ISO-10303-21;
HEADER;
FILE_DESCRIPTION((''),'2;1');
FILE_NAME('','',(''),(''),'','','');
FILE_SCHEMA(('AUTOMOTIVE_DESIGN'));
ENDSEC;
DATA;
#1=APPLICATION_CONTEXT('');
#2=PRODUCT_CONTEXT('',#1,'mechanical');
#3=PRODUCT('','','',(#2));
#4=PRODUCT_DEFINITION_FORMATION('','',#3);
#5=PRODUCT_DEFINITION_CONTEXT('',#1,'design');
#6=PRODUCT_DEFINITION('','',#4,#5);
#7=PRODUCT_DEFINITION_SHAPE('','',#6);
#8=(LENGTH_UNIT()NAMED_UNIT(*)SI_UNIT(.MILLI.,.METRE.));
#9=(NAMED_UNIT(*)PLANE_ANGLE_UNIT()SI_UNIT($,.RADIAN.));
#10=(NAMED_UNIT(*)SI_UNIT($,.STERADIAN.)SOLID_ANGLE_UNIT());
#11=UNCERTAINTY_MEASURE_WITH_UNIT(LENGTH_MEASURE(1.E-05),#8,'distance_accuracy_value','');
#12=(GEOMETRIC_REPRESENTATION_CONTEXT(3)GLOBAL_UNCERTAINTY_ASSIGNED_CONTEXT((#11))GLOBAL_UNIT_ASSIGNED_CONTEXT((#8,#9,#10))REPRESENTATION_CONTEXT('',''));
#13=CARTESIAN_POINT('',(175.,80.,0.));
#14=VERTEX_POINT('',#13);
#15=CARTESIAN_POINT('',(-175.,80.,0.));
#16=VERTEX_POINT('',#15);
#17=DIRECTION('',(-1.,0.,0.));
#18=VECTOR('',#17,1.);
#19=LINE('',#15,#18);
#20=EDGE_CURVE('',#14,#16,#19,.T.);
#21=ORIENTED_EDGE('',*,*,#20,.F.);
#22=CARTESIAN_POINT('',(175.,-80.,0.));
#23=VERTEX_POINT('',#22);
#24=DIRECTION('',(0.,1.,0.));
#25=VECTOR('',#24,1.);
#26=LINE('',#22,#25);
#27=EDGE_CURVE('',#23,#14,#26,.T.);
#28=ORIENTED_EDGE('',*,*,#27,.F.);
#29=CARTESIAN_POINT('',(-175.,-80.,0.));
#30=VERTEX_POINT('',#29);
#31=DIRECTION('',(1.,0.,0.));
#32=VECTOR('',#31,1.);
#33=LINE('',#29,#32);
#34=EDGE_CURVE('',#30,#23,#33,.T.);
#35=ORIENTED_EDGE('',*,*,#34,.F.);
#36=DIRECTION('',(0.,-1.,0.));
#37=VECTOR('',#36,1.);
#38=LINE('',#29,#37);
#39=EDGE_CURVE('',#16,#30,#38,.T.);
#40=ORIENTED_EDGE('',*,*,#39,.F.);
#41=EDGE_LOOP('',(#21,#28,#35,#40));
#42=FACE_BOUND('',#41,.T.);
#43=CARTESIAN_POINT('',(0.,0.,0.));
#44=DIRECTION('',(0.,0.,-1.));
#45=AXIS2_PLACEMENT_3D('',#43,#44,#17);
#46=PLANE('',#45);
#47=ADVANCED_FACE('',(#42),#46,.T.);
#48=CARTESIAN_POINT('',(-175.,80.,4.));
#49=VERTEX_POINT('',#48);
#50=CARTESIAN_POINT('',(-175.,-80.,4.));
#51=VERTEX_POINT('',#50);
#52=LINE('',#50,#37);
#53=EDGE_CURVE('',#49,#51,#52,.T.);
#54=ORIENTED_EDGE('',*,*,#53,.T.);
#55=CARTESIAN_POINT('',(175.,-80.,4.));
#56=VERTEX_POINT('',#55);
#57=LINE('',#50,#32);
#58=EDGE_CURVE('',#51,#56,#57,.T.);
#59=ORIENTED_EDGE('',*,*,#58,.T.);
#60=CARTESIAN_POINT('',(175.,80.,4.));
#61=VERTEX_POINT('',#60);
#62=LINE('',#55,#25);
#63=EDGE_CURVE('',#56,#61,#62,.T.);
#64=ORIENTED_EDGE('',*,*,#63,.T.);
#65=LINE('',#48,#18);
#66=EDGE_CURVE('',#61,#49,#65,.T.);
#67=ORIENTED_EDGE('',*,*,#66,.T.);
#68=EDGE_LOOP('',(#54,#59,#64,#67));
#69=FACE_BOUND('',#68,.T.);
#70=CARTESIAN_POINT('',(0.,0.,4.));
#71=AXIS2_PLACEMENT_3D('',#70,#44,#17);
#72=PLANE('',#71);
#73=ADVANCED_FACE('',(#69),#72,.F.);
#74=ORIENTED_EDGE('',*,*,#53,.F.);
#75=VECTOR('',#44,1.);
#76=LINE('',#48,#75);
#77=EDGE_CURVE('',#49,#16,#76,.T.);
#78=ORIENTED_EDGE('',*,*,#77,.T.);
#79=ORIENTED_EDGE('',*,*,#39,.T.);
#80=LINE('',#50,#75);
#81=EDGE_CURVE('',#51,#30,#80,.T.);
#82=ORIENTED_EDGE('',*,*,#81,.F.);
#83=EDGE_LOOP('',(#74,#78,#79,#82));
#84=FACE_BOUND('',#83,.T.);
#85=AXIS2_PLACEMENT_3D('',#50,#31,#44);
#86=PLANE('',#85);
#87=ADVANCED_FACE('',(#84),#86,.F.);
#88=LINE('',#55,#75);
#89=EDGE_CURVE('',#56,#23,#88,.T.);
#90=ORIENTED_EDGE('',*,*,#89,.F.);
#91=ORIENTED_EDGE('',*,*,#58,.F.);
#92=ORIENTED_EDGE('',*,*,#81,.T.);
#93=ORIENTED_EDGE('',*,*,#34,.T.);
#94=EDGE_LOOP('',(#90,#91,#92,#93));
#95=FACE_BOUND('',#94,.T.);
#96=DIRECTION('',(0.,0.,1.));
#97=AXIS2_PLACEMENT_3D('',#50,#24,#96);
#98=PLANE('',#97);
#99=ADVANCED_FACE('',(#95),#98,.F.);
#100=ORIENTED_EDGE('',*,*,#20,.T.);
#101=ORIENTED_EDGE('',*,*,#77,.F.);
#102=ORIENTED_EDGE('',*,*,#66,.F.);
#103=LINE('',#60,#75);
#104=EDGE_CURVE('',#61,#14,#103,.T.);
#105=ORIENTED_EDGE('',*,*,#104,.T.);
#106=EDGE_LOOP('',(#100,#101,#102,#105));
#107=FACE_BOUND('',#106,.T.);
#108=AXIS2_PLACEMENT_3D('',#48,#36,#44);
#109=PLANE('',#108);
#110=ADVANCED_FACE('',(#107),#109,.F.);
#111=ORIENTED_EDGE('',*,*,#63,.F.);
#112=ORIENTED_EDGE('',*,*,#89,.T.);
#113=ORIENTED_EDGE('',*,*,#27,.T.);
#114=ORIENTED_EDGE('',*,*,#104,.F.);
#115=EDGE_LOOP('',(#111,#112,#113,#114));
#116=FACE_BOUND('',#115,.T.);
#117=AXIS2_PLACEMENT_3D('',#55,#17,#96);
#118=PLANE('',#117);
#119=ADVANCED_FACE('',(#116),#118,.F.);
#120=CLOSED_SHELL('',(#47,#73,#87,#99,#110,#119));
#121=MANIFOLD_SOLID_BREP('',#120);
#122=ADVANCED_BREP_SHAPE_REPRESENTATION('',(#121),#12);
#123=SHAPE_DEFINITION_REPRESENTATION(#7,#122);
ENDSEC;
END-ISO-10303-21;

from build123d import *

# Parameters (mm, degrees)
SKETCH_1_W      = 350
SKETCH_1_H      = 160
EXTRUDE_1_DEPTH = 4


with BuildPart() as part:
    # 草图1 → 凸台-拉伸1 (new body)
    with BuildSketch(Plane.XY):
        Rectangle(SKETCH_1_W, SKETCH_1_H)
    extrude(amount=EXTRUDE_1_DEPTH)


solid = part.part
